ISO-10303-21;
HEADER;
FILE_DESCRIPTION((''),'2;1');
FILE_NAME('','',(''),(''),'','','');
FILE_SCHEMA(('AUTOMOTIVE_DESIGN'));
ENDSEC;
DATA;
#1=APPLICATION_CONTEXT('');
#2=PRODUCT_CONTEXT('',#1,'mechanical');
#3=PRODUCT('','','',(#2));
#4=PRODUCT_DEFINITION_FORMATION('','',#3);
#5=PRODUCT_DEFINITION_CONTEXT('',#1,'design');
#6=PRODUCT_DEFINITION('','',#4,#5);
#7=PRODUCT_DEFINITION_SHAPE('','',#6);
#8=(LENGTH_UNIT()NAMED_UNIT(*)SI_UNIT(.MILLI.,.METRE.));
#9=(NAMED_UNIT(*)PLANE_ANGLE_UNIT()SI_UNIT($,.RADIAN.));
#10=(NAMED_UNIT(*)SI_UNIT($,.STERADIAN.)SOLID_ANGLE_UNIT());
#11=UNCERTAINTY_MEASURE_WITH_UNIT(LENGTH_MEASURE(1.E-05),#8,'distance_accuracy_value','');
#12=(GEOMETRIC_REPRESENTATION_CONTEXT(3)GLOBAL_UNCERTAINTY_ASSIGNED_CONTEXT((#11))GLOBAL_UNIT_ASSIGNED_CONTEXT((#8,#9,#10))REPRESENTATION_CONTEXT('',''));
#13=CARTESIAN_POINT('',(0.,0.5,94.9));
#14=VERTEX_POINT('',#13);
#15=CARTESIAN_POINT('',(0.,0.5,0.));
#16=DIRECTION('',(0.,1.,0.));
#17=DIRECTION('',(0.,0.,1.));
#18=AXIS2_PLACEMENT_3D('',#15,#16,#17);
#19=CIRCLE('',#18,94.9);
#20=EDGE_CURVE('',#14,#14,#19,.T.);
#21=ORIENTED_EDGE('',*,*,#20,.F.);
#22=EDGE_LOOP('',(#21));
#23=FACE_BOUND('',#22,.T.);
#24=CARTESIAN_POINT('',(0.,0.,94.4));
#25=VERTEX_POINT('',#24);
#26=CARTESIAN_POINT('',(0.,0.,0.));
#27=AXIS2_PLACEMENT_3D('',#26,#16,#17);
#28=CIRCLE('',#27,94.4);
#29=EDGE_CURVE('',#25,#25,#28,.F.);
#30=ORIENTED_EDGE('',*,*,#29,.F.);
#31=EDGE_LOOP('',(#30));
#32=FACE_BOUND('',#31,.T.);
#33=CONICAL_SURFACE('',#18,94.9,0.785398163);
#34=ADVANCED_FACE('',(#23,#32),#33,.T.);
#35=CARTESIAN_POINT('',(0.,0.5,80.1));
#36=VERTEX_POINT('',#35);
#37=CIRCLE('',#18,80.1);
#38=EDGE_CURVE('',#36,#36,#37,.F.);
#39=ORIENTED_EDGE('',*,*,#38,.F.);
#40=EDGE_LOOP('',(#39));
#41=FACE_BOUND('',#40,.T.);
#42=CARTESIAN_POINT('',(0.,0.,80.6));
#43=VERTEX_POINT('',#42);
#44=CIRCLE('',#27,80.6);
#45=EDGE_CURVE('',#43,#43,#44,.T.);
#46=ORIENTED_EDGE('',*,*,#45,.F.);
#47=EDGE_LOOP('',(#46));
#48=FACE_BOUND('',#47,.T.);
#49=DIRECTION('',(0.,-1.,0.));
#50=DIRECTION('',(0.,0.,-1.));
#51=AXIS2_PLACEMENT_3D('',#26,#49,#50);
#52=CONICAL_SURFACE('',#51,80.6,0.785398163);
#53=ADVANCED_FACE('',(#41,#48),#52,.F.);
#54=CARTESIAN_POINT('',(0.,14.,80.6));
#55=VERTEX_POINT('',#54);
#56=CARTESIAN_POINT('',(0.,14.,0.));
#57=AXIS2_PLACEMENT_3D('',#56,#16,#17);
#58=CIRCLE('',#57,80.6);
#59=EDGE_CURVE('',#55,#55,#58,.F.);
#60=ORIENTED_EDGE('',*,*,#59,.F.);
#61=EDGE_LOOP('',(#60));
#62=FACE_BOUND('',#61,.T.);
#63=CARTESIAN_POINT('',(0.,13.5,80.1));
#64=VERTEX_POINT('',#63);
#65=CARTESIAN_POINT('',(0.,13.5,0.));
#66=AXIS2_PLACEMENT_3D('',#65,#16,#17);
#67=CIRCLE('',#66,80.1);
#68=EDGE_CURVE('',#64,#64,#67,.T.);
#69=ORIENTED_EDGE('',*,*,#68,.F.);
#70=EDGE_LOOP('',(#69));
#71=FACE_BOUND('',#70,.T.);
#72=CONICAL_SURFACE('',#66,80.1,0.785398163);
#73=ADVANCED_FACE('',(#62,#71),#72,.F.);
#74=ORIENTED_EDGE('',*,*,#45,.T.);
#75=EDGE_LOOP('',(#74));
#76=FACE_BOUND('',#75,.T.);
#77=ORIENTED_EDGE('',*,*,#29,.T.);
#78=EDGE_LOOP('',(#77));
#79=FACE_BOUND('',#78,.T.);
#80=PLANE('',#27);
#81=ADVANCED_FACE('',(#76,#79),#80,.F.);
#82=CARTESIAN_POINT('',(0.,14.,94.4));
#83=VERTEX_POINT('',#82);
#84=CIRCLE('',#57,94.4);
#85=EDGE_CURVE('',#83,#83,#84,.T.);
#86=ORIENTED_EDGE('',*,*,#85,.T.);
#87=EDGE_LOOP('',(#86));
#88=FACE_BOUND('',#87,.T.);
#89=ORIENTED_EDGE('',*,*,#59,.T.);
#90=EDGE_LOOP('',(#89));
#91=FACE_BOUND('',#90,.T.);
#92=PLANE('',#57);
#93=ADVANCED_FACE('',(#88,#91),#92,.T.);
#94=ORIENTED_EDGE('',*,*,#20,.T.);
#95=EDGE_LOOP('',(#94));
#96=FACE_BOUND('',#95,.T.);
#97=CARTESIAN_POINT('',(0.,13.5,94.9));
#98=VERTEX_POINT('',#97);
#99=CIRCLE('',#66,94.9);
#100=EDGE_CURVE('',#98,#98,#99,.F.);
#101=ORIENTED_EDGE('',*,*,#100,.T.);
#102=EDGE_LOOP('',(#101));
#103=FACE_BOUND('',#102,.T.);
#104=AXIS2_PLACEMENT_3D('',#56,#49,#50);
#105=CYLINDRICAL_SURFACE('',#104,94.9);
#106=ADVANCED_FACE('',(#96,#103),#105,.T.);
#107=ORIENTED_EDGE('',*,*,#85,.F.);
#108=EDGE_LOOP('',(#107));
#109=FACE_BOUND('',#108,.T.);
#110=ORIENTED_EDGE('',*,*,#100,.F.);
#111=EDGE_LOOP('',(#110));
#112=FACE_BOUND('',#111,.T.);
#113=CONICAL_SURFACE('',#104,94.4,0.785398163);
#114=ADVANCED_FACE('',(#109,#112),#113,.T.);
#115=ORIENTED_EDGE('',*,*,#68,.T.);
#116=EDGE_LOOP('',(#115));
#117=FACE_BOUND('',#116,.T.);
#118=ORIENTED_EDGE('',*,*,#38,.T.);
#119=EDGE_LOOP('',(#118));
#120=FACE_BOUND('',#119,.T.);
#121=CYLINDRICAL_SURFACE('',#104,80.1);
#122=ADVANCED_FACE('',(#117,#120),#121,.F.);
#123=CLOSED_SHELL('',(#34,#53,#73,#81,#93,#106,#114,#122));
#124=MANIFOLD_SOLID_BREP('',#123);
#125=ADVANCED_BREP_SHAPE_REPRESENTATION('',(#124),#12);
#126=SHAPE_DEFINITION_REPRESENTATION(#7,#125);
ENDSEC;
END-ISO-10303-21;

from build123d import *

# Parameters (mm, degrees)
SKETCH_1_R      = 94.9
SKETCH_1_R_2    = 80.1
EXTRUDE_1_DEPTH = 14
CHAMFER_1_SIZE  = 0.5


with BuildPart() as part:
    # 草图1 → 凸台-拉伸1 (new body)
    with BuildSketch(Plane(origin=(0, 0, 0), x_dir=(1, 0, 0), z_dir=(0, 1, 0))):
        with Locations(Location((0, 0, 0), (0, 0, 270))):
            Circle(SKETCH_1_R)
        with Locations(Location((0, 0, 0), (0, 0, 270))):
            Circle(SKETCH_1_R_2, mode=Mode.SUBTRACT)
    extrude(amount=EXTRUDE_1_DEPTH)

    # 倒角1
    chamfer_1_edges = [part.edges().sort_by_distance(p)[0] for p in [
        (0, 0, -94.9),
        (0, 14, -94.9),
        (0, 0, -80.1),
        (0, 14, -80.1),
    ]]
    chamfer(chamfer_1_edges, length=CHAMFER_1_SIZE)


solid = part.part
